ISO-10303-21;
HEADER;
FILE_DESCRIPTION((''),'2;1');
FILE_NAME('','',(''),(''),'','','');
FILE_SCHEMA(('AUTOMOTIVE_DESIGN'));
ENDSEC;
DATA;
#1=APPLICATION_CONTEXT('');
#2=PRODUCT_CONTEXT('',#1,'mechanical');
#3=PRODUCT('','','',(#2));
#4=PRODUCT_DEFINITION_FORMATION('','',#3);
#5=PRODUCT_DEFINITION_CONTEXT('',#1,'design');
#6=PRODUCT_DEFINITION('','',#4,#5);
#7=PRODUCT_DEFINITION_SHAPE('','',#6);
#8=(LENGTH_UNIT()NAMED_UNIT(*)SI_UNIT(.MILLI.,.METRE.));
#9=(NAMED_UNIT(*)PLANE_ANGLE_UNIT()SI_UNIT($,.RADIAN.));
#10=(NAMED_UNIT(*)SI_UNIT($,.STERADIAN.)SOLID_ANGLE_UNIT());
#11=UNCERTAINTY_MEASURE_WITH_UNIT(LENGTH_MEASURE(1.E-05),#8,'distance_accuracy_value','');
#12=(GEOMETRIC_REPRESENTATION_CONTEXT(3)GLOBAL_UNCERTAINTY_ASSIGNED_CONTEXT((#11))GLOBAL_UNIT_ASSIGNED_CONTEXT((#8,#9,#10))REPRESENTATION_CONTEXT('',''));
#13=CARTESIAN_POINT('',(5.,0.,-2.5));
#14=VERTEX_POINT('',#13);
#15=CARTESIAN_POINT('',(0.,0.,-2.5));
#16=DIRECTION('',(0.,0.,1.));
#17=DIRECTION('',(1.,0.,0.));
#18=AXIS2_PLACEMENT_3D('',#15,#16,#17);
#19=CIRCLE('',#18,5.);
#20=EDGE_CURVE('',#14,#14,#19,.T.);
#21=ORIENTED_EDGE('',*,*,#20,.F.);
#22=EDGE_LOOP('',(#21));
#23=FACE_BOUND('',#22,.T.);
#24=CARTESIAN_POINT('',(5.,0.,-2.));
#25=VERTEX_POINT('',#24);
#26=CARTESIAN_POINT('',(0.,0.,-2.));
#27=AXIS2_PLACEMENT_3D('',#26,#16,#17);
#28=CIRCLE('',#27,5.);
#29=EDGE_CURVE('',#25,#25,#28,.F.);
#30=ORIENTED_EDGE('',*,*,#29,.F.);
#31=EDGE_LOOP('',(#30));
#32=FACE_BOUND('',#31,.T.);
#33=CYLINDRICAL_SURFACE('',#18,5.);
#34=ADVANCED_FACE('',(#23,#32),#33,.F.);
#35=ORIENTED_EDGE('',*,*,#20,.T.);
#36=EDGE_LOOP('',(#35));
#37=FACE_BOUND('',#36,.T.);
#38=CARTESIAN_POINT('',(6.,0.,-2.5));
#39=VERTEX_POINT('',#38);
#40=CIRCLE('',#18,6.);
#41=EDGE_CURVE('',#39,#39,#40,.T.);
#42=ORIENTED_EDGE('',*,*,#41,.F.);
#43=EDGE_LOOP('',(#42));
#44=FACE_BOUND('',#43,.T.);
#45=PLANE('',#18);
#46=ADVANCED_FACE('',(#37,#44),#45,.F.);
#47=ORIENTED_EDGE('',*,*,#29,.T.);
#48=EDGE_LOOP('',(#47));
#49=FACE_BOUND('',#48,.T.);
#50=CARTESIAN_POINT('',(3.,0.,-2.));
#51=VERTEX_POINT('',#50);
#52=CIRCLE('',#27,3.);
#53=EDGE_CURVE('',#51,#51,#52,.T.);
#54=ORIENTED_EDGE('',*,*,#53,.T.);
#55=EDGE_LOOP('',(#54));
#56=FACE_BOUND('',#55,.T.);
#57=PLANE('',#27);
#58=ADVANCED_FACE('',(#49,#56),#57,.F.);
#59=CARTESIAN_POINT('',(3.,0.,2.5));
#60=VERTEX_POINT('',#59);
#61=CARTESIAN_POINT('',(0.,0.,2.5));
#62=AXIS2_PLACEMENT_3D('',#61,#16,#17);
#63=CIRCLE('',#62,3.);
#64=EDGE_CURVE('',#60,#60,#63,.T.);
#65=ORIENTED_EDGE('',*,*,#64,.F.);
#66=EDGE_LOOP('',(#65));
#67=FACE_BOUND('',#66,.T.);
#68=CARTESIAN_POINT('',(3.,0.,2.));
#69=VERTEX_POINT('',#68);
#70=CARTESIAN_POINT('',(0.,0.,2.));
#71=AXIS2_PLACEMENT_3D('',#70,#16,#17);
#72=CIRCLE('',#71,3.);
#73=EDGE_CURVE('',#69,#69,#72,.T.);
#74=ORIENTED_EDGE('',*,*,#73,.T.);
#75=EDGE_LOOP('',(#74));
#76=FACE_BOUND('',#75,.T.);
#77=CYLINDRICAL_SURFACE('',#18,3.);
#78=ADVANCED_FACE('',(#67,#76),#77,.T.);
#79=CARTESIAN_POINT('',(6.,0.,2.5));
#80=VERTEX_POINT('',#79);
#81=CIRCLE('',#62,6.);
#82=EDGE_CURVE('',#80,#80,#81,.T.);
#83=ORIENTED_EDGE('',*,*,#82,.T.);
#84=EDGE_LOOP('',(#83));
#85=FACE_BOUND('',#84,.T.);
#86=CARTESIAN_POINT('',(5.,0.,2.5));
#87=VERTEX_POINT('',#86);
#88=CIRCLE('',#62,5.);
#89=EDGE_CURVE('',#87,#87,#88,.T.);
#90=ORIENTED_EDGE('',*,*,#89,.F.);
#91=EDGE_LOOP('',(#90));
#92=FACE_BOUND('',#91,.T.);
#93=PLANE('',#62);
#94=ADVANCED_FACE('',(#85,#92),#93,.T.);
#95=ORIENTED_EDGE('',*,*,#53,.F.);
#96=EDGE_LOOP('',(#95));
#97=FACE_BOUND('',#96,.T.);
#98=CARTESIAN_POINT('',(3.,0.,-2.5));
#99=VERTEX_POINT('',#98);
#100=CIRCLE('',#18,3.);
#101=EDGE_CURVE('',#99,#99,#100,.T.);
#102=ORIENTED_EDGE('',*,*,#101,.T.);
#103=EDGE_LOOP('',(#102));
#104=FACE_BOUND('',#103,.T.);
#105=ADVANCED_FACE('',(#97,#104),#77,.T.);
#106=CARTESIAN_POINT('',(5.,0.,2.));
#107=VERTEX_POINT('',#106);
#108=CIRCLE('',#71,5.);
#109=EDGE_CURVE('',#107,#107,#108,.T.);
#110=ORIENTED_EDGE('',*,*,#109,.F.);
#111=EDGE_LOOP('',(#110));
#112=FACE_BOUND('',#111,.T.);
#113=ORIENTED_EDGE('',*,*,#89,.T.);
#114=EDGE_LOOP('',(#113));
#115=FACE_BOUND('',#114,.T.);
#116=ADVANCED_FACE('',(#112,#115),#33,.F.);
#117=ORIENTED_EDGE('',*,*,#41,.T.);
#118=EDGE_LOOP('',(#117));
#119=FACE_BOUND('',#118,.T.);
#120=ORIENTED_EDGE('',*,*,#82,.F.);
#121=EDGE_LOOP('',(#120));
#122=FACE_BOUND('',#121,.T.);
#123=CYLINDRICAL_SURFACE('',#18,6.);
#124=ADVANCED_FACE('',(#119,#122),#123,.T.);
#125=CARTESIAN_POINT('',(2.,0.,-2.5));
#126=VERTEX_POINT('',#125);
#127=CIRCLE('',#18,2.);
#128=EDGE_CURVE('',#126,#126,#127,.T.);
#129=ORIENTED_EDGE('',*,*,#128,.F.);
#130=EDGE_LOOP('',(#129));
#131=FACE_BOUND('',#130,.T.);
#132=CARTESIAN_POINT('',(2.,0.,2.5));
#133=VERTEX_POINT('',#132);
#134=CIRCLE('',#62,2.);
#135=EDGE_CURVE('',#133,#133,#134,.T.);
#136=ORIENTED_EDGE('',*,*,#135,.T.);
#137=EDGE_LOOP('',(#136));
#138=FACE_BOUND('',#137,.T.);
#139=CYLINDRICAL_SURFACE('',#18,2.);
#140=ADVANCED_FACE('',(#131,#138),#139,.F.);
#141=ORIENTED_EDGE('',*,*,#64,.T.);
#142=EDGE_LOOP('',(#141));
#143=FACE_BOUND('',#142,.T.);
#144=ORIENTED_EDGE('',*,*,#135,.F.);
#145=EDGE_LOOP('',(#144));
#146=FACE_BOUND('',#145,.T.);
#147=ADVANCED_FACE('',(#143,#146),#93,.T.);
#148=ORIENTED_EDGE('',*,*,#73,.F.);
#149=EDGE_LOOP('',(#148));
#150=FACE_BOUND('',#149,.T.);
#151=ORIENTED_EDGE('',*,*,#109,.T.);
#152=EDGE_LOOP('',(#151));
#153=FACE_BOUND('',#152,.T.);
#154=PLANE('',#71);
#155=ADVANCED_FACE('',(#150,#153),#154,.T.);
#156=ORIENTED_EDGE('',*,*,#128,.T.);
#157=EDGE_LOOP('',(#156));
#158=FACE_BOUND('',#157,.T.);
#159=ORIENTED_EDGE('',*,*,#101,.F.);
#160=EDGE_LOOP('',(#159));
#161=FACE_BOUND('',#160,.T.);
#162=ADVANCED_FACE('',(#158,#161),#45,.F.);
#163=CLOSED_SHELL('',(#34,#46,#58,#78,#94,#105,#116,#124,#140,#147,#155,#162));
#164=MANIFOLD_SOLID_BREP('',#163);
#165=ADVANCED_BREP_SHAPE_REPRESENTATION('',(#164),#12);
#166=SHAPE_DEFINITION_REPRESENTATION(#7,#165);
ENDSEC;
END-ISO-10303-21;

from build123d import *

# Parameters (mm, degrees)
SALIENTE_EXTRUIR2_DEPTH        = 2.5
SALIENTE_EXTRUIR2_DEPTH_BACK   = 2.5
CROQUIS1_R                     = 6
CROQUIS1_R_2                   = 5
SALIENTE_EXTRUIR2_2_DEPTH      = 2.5
SALIENTE_EXTRUIR2_2_DEPTH_BACK = 2.5
CROQUIS1_R_3                   = 3
CROQUIS1_R_4                   = 2
SALIENTE_EXTRUIR3_DEPTH        = 2
SALIENTE_EXTRUIR3_DEPTH_BACK   = 2
CROQUIS1_3_R                   = 5
CROQUIS1_3_R_2                 = 3


with BuildPart() as part:
    # Croquis1 → Saliente-Extruir2 (new, two sides: drawn at the far end of the back side and taken through both)
    with BuildSketch(Plane.XY.offset(-SALIENTE_EXTRUIR2_DEPTH_BACK)):
        Circle(CROQUIS1_R)
        Circle(CROQUIS1_R_2, mode=Mode.SUBTRACT)
    extrude(amount=SALIENTE_EXTRUIR2_DEPTH + SALIENTE_EXTRUIR2_DEPTH_BACK)



with BuildPart() as body_2:
    # Croquis1 → Saliente-Extruir2 2 (new, two sides: drawn at the far end of the back side and taken through both)
    with BuildSketch(Plane.XY.offset(-SALIENTE_EXTRUIR2_2_DEPTH_BACK)):
        Circle(CROQUIS1_R_3)
        Circle(CROQUIS1_R_4, mode=Mode.SUBTRACT)
    extrude(amount=SALIENTE_EXTRUIR2_2_DEPTH + SALIENTE_EXTRUIR2_2_DEPTH_BACK)


with BuildPart() as part_1:
    add(part.part)

    add(body_2.part)  # Saliente-Extruir3 merges body 2
    # Croquis1<3> → Saliente-Extruir3 (add, two sides: drawn at the far end of the back side and taken through both)
    with BuildSketch(Plane.XY.offset(-SALIENTE_EXTRUIR3_DEPTH_BACK)):
        Circle(CROQUIS1_3_R)
        Circle(CROQUIS1_3_R_2, mode=Mode.SUBTRACT)
    extrude(amount=SALIENTE_EXTRUIR3_DEPTH + SALIENTE_EXTRUIR3_DEPTH_BACK)


solid = part_1.part
